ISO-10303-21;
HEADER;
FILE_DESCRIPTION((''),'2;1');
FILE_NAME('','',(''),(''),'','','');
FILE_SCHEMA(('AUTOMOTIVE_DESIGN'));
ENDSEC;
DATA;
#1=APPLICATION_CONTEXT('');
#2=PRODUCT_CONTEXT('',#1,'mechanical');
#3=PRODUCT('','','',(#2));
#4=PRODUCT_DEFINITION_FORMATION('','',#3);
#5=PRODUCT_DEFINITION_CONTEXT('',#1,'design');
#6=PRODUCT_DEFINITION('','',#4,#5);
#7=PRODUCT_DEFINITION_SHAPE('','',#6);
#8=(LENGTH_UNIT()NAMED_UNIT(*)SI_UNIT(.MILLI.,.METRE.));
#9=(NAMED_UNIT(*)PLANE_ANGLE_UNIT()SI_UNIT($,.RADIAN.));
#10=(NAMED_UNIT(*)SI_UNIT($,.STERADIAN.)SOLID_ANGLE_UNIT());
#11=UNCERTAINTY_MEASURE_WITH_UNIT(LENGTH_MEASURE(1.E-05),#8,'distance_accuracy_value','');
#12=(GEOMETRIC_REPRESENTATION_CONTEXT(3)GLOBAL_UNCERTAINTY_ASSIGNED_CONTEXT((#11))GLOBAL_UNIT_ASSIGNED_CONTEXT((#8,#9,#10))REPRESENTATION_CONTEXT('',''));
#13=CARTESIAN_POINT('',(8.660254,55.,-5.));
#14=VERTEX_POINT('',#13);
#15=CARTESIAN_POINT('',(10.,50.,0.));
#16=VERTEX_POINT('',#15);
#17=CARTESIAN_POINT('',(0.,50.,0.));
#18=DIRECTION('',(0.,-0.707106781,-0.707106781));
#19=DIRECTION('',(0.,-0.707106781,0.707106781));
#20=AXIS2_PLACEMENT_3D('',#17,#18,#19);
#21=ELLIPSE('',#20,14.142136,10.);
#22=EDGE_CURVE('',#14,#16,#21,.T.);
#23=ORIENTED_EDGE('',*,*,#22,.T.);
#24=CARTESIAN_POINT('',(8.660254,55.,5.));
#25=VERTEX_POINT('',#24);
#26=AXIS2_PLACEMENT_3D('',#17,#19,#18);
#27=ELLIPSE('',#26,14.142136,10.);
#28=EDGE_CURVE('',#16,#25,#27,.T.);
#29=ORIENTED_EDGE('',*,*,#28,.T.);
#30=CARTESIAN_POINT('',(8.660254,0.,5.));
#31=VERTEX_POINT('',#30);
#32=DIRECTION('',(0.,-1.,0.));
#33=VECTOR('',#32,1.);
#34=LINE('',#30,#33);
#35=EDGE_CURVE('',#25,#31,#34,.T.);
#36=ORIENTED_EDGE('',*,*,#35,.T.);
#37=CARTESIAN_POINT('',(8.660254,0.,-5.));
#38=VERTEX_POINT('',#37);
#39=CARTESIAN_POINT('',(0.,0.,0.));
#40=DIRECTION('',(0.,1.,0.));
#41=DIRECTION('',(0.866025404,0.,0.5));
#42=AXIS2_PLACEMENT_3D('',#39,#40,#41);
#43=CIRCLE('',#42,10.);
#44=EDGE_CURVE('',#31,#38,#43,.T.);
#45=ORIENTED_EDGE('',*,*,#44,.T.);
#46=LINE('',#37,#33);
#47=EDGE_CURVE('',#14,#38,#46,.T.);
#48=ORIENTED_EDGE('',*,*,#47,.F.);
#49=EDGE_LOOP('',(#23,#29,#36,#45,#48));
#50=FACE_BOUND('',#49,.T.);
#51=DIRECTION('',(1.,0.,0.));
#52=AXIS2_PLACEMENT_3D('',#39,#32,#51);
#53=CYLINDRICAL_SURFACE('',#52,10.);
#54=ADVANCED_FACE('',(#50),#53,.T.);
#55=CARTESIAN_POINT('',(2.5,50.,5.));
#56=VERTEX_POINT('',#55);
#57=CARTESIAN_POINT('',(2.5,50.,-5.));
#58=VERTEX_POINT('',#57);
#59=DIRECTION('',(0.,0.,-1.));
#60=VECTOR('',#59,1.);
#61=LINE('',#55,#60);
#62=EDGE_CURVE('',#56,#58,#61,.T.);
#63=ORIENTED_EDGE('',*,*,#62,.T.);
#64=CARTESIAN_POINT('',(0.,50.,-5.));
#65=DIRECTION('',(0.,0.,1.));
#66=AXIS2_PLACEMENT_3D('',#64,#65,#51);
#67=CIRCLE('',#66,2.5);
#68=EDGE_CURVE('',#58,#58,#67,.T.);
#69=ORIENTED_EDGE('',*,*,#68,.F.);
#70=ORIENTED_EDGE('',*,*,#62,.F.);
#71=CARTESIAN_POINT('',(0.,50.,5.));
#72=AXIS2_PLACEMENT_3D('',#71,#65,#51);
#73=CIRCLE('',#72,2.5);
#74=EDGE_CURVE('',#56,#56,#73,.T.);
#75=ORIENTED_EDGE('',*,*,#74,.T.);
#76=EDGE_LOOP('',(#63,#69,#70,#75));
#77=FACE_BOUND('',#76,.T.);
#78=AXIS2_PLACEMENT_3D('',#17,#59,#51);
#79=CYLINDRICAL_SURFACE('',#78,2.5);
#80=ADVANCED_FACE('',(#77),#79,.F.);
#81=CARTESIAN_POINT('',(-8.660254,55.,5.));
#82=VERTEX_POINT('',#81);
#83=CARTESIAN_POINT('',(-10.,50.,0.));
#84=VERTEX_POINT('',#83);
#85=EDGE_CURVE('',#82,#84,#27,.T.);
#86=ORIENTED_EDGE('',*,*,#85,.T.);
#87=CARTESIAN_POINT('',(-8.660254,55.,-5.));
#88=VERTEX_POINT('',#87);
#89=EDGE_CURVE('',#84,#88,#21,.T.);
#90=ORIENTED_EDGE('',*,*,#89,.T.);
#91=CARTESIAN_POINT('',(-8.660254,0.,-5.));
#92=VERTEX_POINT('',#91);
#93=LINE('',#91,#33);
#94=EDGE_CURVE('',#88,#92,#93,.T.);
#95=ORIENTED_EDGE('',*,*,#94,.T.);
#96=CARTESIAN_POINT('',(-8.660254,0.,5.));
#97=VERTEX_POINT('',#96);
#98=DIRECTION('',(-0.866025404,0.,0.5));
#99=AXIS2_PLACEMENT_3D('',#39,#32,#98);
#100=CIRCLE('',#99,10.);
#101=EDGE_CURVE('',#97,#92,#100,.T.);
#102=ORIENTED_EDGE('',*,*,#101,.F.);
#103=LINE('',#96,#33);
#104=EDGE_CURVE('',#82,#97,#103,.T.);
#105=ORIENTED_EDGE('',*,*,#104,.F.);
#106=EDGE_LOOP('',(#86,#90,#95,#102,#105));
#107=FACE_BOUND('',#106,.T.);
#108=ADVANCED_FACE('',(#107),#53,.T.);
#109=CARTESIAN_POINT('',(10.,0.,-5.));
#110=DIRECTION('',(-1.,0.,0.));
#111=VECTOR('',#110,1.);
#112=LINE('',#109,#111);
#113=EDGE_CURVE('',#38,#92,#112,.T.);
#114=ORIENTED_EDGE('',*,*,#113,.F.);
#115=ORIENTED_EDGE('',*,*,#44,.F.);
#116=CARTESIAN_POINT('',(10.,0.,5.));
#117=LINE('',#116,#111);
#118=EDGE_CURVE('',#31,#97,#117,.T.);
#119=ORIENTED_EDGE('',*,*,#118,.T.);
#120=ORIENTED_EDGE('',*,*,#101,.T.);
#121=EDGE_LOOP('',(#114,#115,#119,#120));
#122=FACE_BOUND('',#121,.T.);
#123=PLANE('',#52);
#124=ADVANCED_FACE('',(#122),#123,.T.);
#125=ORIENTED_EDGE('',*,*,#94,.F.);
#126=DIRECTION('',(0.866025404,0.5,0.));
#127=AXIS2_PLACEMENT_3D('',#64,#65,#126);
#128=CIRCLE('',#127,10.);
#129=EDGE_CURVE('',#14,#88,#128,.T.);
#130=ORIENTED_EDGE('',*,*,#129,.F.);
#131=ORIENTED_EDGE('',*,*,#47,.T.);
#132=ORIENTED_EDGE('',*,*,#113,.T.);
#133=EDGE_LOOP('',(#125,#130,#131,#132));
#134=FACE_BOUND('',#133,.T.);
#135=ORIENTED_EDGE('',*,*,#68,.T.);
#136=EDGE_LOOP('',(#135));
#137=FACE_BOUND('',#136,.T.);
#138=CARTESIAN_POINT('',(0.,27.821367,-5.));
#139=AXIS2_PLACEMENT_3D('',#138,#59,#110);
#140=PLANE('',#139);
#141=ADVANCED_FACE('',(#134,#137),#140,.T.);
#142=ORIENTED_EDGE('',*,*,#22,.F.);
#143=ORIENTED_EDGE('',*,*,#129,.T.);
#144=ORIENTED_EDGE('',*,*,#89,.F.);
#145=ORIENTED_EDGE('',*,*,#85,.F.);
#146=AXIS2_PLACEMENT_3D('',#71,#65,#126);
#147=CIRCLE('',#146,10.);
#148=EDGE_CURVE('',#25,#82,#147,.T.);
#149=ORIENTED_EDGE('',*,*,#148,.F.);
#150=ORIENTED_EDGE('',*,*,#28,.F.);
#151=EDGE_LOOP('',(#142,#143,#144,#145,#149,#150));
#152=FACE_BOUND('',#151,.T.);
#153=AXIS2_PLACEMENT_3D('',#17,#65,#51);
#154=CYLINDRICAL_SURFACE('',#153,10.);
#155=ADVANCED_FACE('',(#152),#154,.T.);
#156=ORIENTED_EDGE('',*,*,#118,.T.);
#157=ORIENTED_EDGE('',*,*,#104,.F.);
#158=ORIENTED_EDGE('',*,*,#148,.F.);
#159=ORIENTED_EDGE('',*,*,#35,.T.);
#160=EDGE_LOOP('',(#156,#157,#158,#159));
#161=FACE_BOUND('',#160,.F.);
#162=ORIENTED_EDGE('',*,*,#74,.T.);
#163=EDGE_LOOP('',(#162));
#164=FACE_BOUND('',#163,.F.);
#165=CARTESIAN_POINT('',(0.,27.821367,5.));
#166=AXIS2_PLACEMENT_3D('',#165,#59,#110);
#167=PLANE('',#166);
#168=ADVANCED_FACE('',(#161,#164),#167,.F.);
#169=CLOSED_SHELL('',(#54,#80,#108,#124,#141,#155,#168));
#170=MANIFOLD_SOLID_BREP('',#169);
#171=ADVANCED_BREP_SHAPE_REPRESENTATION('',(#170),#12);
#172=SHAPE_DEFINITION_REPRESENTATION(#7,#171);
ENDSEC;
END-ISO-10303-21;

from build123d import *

# Parameters (mm, degrees)
SKETCH002_R  = 2.5
PAD001_DEPTH = 5
SKETCH003_R  = 10
PAD002_DEPTH = 60


with BuildPart() as lugbody:
    # Sketch002 → Pad001 (new body, symmetric)
    with BuildSketch(Plane.XY):
        with BuildLine():
            Line((-10, 0), (-10, 50))
            ThreePointArc((10, 50), (0, 60), (-10, 50))
            Line((10, 50), (10, 0))
            Line((10, 0), (-10, 0))
        make_face()
        with Locations((0, 50)):
            Circle(SKETCH002_R, mode=Mode.SUBTRACT)
    extrude(amount=PAD001_DEPTH, both=True)


with BuildPart() as lugcylinder:
    # Sketch003 → Pad002 (new body)
    with BuildSketch(Plane.XZ):
        Circle(SKETCH003_R)
    extrude(amount=-PAD002_DEPTH)

    # Boolean: intersect LugBody
    add(lugbody.part, mode=Mode.INTERSECT)


solid = lugcylinder.part
